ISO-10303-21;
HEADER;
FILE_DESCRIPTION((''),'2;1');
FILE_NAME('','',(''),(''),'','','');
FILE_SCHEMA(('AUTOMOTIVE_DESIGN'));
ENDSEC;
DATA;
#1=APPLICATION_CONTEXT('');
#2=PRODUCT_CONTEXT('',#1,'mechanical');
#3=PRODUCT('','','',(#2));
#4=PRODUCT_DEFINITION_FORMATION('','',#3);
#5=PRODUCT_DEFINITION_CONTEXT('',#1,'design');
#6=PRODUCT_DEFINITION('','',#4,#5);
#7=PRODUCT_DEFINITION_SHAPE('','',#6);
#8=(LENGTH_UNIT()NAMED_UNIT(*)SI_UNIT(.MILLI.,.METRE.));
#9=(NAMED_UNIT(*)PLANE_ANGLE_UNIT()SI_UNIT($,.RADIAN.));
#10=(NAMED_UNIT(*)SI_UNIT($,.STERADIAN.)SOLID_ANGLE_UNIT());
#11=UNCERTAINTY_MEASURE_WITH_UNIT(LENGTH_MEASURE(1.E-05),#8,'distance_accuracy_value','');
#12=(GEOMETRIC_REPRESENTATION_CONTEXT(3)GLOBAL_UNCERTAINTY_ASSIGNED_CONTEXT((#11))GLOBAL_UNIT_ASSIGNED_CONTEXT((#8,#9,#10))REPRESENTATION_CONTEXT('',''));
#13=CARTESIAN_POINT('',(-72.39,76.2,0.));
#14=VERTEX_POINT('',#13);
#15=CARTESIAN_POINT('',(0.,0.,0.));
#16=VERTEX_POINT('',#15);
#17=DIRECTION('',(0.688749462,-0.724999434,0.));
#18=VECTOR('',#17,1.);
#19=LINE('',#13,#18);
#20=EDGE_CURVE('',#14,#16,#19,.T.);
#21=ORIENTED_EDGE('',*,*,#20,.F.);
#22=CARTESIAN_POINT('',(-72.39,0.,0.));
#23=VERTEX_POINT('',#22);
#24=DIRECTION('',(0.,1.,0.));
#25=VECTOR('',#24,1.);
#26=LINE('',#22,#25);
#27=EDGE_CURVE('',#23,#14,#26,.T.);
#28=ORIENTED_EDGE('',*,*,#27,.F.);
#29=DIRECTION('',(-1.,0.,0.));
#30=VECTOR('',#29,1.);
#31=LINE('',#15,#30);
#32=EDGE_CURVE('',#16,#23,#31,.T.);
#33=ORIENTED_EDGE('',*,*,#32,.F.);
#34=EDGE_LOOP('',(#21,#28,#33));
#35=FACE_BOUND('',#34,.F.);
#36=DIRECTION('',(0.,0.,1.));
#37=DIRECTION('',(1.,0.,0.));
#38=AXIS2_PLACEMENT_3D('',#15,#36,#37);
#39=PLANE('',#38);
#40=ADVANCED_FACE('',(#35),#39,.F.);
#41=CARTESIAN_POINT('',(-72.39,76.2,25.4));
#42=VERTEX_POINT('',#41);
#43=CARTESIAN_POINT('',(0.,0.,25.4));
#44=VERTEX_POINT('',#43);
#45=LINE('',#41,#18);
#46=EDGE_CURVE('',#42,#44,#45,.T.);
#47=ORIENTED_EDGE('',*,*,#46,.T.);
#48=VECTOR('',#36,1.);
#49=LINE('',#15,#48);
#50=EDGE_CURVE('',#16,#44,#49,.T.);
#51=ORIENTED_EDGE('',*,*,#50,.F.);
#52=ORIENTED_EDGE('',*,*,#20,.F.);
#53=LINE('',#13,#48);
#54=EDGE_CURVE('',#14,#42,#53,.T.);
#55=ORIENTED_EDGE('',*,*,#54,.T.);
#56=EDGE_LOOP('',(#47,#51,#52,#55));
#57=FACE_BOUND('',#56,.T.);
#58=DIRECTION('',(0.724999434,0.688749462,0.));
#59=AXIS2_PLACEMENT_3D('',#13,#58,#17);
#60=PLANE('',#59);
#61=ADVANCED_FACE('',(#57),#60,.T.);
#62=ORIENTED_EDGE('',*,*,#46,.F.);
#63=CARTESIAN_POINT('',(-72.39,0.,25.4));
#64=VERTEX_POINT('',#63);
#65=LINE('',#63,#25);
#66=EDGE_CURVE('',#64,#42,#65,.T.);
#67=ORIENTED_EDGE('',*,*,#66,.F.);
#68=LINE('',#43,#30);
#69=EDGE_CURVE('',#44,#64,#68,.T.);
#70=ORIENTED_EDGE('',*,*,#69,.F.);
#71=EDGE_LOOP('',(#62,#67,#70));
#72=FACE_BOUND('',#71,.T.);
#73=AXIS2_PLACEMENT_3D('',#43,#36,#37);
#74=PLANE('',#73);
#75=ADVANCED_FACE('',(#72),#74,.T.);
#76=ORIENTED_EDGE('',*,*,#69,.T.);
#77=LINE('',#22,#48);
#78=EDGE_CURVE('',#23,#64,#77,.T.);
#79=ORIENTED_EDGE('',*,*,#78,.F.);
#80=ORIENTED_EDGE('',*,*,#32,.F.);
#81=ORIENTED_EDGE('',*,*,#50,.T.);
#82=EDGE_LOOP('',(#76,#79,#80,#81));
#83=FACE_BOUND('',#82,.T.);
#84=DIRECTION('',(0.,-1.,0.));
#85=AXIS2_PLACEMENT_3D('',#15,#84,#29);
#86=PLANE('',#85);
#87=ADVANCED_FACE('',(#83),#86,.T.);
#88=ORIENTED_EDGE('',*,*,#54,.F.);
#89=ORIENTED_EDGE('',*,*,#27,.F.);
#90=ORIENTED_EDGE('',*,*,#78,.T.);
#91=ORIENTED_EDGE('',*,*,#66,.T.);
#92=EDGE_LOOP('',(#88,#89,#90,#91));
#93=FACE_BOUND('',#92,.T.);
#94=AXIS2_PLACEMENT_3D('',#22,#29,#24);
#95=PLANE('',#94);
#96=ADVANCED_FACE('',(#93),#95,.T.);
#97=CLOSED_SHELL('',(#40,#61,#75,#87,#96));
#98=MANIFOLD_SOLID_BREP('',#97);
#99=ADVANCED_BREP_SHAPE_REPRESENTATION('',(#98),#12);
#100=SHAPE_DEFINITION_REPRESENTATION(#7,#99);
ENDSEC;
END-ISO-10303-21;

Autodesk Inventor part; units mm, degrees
ref_plane "YZ Plane" through (0, 0, 0) normal (1, 0, 0) x (0, 1, 0)
ref_plane "XZ Plane" through (0, 0, 0) normal (0, 1, 0) x (-1, 0, 0)
ref_plane "XY Plane" through (0, 0, 0) normal (0, 0, 1) x (1, 0, 0)
sketch "Sketch1" plane through (0, 0, 0) normal (0, 0, 1) x (1, 0, 0)
  line L0 (0, 0) -> (-72.39, 0)
  line L1 (-72.39, 0) -> (-72.39, 76.2)
  line L2 (-72.39, 76.2) -> (0, 0)
  dimension "d0" = 72.39
  dimension "d1" = 76.2
  dimension "d2" = 90
extrude "Extrusion1" add sketch "Sketch1" along normal blind 25.4
properties part number "nylon thing" material "Nylon 6/6"
